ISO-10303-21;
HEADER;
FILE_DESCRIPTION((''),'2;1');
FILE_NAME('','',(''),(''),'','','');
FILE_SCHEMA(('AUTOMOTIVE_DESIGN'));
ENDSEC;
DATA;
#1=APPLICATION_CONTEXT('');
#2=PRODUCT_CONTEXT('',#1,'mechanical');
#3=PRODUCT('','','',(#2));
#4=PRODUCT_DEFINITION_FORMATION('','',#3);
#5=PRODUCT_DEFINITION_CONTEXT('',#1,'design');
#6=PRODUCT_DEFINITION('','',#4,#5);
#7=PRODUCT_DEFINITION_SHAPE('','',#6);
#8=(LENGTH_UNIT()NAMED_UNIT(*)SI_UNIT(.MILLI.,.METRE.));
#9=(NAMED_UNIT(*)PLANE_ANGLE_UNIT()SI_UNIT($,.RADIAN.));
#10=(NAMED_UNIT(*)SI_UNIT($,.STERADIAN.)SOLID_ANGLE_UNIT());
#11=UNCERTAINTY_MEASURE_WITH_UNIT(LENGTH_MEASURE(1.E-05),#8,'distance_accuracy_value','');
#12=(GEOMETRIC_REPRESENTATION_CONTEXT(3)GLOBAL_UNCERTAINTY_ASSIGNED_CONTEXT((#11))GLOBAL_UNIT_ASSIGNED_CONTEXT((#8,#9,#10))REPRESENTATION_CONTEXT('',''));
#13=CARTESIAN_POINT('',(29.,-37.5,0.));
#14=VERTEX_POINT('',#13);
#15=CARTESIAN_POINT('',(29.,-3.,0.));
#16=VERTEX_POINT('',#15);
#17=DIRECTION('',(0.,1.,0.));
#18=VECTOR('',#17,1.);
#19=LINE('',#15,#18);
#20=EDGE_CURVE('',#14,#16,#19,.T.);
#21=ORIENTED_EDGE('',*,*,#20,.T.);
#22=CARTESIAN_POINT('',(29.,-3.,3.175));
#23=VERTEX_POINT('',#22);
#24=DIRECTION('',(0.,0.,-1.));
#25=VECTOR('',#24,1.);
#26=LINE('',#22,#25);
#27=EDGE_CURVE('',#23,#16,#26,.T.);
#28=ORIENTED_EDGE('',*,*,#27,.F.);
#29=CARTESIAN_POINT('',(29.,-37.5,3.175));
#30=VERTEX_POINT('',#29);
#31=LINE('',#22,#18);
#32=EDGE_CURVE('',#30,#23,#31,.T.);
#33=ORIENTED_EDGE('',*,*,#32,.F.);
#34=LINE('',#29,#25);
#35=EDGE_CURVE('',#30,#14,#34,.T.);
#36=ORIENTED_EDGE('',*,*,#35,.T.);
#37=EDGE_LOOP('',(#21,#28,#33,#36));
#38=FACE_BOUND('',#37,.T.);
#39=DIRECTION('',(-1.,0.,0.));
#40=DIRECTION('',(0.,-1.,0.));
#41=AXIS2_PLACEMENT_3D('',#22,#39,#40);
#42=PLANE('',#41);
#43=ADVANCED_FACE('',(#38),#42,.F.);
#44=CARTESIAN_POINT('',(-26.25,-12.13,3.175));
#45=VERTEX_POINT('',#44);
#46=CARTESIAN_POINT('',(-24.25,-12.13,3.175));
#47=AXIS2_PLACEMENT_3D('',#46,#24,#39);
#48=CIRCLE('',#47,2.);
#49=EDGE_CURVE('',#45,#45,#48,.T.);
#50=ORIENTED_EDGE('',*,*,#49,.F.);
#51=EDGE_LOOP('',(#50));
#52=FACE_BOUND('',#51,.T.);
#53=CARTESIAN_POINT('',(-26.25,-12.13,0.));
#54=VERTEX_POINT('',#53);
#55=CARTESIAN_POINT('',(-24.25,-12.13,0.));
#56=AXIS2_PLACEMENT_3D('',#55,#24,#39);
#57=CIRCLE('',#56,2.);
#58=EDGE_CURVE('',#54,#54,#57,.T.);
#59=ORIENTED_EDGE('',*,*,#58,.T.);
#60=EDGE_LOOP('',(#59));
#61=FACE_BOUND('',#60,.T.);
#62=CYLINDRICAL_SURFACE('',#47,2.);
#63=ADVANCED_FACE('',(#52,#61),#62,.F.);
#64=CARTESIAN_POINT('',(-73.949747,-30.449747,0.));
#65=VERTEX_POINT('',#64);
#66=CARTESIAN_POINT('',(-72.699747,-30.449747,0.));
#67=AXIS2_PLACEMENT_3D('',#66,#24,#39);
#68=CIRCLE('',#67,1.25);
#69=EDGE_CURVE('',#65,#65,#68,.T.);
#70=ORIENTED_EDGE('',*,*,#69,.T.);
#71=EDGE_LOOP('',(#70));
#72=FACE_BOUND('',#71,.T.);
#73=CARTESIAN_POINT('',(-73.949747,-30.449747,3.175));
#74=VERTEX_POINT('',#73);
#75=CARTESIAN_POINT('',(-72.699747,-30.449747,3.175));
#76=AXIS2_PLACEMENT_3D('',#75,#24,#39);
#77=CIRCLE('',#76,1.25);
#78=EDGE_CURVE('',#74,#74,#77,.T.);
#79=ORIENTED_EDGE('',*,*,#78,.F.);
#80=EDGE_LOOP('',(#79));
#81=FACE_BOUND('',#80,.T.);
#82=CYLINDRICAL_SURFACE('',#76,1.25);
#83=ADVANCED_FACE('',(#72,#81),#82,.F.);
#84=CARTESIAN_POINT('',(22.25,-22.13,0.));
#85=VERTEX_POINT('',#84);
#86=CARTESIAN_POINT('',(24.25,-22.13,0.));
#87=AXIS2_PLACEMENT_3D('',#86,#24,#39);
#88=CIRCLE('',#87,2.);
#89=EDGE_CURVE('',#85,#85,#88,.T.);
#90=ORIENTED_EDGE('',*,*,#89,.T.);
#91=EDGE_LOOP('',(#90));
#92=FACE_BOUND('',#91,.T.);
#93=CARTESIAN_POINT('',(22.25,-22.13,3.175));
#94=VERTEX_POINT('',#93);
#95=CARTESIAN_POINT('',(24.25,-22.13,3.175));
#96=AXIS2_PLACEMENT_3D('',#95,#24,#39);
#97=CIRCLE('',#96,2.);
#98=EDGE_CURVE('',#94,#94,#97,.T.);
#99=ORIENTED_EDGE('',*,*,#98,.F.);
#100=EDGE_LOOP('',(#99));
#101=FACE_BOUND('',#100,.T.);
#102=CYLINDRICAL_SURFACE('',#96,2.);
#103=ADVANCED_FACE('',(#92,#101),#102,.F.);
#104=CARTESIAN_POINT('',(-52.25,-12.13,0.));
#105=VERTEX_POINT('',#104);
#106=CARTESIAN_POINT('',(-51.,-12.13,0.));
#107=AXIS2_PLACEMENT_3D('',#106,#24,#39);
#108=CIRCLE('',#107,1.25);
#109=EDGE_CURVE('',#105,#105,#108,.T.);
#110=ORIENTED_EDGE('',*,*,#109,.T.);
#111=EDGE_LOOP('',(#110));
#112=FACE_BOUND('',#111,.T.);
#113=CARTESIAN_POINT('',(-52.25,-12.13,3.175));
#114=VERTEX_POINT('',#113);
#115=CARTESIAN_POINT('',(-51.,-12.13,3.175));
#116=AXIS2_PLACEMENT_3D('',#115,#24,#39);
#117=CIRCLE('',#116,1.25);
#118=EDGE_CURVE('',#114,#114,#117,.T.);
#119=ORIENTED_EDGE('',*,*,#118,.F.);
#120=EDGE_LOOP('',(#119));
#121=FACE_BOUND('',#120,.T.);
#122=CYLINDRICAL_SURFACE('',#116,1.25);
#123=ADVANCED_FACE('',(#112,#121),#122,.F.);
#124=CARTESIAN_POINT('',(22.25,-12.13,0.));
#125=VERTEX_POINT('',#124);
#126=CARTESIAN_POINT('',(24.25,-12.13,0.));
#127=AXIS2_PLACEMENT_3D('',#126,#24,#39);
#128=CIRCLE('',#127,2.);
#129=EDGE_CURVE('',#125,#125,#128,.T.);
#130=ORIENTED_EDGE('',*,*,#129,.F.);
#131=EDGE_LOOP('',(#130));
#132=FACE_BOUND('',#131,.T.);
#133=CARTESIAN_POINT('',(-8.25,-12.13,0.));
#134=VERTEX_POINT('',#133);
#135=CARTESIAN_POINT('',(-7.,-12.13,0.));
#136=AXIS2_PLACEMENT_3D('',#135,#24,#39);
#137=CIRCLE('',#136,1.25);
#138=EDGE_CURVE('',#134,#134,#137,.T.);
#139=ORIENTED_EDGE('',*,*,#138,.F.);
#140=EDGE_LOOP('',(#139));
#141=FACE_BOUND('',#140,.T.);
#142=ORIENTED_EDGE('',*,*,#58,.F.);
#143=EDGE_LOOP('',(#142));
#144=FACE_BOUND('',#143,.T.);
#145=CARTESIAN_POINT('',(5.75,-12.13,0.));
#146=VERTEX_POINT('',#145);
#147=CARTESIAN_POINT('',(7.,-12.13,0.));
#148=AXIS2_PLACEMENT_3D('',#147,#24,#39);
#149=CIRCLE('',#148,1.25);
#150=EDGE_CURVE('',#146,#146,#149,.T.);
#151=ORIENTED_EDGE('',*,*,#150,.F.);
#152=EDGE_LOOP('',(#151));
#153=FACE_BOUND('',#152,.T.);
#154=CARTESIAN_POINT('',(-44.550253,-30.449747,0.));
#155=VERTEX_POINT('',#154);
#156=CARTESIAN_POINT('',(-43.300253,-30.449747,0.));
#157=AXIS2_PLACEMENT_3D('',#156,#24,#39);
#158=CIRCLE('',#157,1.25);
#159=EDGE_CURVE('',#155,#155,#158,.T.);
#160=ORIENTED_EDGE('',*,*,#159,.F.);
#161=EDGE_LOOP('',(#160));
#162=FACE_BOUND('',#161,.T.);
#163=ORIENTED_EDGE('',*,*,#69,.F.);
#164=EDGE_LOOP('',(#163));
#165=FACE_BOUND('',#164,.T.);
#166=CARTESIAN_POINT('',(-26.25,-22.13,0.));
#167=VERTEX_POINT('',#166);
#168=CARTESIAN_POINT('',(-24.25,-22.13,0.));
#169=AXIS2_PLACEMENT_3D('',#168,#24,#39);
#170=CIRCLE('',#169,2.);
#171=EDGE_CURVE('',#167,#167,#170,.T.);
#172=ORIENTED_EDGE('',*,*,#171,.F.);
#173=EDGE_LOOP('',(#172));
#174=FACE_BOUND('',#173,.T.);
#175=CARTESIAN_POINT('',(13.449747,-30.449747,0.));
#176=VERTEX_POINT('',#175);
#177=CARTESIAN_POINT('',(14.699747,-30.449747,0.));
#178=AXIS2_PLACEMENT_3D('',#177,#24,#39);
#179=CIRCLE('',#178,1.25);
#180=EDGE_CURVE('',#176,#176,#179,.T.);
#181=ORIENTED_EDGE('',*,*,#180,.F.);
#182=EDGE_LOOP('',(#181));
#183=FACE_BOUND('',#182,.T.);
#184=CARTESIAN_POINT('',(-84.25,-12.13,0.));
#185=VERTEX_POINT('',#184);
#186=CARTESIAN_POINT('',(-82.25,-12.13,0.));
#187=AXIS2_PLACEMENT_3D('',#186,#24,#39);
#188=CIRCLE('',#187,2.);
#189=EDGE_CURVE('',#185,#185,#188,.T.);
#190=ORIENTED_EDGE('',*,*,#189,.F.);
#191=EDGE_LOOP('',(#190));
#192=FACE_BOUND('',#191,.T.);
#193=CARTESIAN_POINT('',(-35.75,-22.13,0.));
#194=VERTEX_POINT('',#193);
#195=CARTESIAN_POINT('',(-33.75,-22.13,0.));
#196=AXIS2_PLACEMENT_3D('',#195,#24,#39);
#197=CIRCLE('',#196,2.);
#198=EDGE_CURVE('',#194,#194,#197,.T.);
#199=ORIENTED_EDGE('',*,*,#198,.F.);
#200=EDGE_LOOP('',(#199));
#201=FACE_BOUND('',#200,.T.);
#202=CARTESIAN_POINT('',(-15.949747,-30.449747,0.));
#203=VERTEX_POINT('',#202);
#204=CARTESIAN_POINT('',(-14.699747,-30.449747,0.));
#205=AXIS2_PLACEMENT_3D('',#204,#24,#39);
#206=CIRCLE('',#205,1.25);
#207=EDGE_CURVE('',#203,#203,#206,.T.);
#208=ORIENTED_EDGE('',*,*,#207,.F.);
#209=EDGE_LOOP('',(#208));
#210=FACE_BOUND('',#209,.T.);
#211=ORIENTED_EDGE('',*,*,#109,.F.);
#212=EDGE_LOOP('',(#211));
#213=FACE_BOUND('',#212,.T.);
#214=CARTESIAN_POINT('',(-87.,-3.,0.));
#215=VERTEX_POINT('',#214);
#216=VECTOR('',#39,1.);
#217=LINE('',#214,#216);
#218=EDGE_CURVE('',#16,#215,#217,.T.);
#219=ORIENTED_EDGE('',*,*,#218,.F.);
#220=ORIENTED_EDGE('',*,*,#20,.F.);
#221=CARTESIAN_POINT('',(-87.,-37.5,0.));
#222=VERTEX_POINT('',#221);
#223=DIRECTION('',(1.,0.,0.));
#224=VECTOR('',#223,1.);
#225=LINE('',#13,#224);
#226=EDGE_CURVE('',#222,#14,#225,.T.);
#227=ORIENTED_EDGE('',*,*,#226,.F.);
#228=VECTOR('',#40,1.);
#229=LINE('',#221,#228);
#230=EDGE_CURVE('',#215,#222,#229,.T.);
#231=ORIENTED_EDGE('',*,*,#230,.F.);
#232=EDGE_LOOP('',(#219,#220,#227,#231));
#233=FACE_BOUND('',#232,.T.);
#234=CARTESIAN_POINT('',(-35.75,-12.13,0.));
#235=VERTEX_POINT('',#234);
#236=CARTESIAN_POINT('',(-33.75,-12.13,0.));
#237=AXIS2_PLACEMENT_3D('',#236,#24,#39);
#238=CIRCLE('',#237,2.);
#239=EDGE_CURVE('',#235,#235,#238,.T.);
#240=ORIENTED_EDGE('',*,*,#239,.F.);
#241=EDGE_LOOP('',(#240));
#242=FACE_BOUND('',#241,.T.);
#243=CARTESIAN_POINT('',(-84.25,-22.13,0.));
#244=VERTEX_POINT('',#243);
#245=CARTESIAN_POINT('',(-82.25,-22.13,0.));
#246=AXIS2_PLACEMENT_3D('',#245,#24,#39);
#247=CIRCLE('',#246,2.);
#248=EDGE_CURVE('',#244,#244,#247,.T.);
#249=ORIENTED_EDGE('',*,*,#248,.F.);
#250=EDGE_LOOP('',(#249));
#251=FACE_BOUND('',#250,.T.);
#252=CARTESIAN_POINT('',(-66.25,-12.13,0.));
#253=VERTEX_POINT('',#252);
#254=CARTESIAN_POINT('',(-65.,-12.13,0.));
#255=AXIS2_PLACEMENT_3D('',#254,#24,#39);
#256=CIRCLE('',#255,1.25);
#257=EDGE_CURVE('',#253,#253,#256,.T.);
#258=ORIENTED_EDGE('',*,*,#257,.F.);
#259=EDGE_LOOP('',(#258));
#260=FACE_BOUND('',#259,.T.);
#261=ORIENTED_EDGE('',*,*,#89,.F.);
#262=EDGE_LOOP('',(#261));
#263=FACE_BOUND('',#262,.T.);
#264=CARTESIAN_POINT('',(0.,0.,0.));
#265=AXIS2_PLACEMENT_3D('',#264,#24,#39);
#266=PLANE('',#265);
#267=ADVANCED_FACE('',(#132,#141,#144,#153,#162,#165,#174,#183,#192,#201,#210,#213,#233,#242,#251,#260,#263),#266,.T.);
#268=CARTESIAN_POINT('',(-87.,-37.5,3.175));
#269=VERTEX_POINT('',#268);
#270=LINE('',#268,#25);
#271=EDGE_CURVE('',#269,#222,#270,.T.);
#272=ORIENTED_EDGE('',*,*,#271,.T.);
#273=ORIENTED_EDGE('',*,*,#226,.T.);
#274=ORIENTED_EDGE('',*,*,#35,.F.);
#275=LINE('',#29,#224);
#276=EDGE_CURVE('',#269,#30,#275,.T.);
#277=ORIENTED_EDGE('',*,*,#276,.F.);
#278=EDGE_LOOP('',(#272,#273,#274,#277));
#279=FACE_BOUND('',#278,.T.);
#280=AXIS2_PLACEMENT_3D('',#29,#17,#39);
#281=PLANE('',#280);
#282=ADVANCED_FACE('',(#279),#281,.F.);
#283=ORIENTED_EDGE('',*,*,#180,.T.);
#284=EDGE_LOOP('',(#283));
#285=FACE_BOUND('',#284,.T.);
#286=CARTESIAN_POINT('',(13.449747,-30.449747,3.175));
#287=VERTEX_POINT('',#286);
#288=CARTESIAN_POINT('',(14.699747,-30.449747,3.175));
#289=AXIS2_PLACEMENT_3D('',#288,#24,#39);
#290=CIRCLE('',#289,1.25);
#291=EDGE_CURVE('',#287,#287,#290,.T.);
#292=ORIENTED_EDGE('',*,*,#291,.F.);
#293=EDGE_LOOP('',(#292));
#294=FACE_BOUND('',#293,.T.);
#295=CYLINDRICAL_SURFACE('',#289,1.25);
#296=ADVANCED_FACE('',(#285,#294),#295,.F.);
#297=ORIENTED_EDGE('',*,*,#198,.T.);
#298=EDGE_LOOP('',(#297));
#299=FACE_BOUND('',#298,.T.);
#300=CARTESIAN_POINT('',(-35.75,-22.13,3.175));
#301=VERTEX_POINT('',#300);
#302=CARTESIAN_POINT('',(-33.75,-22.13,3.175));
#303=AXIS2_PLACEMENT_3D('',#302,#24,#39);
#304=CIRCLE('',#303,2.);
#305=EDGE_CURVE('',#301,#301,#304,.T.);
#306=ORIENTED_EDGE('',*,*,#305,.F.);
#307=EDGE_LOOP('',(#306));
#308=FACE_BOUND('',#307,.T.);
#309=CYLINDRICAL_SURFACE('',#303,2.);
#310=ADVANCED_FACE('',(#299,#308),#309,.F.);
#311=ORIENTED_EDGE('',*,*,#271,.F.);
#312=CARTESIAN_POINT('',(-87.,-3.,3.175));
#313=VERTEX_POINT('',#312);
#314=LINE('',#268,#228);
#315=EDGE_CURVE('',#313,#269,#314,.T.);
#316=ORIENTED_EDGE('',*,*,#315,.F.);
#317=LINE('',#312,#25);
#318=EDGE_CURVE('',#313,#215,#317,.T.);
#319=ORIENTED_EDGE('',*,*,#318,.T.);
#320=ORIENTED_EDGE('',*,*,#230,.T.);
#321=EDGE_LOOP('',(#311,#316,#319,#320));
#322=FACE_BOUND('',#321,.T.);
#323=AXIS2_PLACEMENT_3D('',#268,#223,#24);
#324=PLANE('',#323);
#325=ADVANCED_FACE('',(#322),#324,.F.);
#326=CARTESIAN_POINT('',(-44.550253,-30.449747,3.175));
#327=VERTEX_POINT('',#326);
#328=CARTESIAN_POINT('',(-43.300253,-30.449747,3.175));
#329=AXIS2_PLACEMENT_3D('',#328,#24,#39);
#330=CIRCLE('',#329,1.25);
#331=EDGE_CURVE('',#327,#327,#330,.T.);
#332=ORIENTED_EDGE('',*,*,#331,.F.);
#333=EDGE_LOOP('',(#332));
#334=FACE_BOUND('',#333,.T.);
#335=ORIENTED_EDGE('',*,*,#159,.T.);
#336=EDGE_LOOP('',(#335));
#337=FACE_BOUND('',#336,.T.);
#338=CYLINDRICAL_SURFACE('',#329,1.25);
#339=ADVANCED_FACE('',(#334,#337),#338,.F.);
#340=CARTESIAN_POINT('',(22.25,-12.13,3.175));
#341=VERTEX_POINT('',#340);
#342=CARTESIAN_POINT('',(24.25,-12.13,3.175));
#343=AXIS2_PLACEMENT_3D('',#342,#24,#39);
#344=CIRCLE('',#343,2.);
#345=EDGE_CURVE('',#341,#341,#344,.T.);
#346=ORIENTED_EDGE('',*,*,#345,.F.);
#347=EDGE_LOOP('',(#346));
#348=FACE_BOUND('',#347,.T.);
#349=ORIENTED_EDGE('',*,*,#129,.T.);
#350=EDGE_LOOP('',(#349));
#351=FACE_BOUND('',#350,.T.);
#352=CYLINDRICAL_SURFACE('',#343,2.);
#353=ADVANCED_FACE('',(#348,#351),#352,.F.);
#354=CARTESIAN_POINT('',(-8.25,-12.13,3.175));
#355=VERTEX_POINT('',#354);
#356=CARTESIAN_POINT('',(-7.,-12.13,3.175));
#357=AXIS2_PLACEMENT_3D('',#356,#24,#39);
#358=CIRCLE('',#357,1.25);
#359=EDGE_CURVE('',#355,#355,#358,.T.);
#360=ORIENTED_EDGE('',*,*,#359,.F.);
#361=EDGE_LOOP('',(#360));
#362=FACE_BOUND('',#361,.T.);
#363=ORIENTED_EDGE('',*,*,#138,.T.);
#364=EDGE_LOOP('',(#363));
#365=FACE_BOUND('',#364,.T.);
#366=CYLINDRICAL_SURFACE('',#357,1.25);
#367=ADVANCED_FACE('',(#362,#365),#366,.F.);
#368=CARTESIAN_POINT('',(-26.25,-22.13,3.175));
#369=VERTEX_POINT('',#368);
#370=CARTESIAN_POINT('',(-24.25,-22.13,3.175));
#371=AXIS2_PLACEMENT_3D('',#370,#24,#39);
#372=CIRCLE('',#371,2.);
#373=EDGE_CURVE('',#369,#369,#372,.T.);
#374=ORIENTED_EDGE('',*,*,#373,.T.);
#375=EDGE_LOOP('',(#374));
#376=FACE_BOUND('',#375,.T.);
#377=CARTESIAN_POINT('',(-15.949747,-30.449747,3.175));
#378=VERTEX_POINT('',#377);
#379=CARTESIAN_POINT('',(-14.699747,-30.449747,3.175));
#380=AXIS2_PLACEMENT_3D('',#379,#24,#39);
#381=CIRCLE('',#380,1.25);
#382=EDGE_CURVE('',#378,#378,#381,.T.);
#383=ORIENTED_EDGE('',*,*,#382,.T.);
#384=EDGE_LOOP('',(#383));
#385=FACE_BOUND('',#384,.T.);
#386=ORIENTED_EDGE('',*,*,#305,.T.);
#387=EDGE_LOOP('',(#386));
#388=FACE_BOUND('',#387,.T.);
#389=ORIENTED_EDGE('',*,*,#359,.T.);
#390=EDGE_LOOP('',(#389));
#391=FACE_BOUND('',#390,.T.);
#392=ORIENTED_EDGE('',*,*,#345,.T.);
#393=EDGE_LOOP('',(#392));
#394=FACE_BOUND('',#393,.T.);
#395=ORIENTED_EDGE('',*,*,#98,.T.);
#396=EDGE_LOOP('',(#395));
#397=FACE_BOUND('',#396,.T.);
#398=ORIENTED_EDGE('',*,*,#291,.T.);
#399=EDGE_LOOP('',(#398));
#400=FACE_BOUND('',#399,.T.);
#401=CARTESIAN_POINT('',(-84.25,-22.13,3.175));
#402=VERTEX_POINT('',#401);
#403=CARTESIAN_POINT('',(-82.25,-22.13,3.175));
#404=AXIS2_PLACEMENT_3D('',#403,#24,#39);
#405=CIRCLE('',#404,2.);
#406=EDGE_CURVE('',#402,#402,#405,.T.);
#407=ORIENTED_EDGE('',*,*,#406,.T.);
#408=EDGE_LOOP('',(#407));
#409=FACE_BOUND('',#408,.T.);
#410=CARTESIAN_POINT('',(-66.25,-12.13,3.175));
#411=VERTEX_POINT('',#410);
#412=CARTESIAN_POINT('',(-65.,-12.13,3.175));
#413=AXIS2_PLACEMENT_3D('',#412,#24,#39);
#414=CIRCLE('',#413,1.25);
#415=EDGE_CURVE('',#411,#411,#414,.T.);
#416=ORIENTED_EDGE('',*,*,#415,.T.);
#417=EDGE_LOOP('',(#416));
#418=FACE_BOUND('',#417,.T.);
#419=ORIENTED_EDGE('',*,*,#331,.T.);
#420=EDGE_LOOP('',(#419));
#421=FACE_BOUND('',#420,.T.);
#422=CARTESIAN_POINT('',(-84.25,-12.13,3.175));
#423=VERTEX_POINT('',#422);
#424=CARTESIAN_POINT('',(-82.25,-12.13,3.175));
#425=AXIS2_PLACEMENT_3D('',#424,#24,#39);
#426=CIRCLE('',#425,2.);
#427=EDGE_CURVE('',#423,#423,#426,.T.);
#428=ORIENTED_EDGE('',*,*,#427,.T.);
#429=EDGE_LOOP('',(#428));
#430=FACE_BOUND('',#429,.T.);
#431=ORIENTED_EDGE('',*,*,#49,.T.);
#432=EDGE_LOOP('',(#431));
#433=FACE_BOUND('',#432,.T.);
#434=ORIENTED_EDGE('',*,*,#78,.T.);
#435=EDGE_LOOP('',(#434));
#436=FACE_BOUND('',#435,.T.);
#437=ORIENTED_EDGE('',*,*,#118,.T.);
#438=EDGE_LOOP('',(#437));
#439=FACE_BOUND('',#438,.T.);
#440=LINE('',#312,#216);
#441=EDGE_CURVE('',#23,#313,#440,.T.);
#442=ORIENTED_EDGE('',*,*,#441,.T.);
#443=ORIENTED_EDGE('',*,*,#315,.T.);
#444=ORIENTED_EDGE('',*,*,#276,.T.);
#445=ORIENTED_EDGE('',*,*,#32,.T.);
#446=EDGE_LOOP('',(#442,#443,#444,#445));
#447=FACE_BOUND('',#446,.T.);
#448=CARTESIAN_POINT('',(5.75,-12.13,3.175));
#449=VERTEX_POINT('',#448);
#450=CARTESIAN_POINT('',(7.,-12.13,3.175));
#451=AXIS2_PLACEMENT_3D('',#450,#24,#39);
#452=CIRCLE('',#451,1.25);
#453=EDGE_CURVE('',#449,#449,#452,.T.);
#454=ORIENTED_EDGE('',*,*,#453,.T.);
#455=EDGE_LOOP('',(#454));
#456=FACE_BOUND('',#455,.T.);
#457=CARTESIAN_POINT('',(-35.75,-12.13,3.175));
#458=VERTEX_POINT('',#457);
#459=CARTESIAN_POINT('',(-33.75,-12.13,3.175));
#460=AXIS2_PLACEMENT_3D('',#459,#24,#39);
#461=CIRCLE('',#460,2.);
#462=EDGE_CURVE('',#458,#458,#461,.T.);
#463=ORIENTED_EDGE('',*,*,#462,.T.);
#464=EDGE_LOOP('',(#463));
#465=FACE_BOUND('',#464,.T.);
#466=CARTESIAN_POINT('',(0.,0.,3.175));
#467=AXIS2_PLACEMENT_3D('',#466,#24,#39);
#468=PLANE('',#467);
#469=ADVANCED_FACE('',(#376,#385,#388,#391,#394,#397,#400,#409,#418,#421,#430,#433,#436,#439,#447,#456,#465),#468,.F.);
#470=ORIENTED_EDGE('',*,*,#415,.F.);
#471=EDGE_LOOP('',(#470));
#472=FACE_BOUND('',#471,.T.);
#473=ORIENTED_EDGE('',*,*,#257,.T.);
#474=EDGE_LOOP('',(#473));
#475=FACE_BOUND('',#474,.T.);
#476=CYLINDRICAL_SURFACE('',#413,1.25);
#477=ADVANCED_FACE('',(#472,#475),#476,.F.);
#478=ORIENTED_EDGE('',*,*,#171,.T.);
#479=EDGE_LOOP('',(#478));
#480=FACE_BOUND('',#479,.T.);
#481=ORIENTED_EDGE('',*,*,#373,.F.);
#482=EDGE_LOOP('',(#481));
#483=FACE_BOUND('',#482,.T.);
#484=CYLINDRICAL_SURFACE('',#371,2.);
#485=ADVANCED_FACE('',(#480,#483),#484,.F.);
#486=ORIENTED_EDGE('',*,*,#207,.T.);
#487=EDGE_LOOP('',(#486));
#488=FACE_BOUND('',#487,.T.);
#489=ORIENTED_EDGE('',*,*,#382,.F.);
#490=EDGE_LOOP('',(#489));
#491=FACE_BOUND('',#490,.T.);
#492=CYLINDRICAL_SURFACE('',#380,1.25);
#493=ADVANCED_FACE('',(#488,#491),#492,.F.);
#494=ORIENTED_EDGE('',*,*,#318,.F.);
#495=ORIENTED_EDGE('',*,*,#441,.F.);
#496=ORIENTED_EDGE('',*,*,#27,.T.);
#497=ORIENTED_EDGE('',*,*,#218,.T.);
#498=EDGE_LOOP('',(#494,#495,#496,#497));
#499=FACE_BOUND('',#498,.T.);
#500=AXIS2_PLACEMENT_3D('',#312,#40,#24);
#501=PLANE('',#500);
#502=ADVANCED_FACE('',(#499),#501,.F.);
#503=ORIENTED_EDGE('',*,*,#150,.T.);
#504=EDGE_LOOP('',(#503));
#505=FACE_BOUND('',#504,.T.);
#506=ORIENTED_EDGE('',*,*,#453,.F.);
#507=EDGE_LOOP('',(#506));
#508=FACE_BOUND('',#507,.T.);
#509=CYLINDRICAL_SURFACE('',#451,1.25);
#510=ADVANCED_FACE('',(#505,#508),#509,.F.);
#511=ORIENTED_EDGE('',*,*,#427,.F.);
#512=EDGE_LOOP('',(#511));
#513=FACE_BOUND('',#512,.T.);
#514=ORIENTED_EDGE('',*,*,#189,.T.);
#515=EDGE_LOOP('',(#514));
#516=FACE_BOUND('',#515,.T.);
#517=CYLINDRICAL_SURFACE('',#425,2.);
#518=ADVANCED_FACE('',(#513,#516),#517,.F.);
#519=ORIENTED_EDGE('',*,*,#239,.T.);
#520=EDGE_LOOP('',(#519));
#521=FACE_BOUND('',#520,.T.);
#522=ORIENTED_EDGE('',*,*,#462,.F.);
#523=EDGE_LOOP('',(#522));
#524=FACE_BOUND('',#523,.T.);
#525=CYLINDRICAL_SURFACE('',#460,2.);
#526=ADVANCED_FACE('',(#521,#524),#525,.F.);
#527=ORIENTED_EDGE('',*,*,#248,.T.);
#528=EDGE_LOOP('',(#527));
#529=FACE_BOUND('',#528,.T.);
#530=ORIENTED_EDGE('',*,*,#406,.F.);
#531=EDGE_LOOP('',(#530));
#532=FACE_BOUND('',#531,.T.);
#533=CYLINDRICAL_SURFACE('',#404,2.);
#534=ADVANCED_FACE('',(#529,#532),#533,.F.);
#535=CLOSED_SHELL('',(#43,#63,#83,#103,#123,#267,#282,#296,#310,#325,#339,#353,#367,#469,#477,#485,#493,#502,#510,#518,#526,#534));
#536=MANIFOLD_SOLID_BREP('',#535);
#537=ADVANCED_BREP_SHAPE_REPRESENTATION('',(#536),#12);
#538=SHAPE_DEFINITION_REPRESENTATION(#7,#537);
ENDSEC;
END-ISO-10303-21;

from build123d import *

# Parameters (mm, degrees)
SKETCH1_W           = 116
SKETCH1_H           = 34.5
BOSS_EXTRUDE1_DEPTH = 3.175
SKETCH2_R           = 2
SKETCH2_R_2         = 1.25
CUT_EXTRUDE1_DEPTH  = 95.79098388


with BuildPart() as part:
    # Sketch1 → Boss-Extrude1 (new body)
    with BuildSketch(Plane.XY):
        with Locations((-29, -20.25)):
            Rectangle(SKETCH1_W, SKETCH1_H)
    extrude(amount=BOSS_EXTRUDE1_DEPTH)

    # Sketch2 → Cut-Extrude1 (cut, through all)
    with BuildSketch(Plane(origin=(0, 0, 0), x_dir=(-1, 0, 0), z_dir=(0, 0, -1))):
        with Locations((-24.25, -22.13)):
            Circle(SKETCH2_R)
        with Locations((-24.25, -12.13)):
            Circle(SKETCH2_R)
        with Locations((24.25, -12.13)):
            Circle(SKETCH2_R)
        with Locations((24.25, -22.13)):
            Circle(SKETCH2_R)
        with Locations((33.75, -12.13)):
            Circle(SKETCH2_R)
        with Locations((33.75, -22.13)):
            Circle(SKETCH2_R)
        with Locations((82.25, -12.13)):
            Circle(SKETCH2_R)
        with Locations((82.25, -22.13)):
            Circle(SKETCH2_R)
        with Locations((72.699747468, -30.449747468)):
            Circle(SKETCH2_R_2)
        with Locations((65, -12.13)):
            Circle(SKETCH2_R_2)
        with Locations((51, -12.13)):
            Circle(SKETCH2_R_2)
        with Locations((43.300252532, -30.449747468)):
            Circle(SKETCH2_R_2)
        with Locations((14.699747468, -30.449747468)):
            Circle(SKETCH2_R_2)
        with Locations((7, -12.13)):
            Circle(SKETCH2_R_2)
        with Locations((-7, -12.13)):
            Circle(SKETCH2_R_2)
        with Locations((-14.699747468, -30.449747468)):
            Circle(SKETCH2_R_2)
    extrude(amount=-CUT_EXTRUDE1_DEPTH, mode=Mode.SUBTRACT)


solid = part.part
